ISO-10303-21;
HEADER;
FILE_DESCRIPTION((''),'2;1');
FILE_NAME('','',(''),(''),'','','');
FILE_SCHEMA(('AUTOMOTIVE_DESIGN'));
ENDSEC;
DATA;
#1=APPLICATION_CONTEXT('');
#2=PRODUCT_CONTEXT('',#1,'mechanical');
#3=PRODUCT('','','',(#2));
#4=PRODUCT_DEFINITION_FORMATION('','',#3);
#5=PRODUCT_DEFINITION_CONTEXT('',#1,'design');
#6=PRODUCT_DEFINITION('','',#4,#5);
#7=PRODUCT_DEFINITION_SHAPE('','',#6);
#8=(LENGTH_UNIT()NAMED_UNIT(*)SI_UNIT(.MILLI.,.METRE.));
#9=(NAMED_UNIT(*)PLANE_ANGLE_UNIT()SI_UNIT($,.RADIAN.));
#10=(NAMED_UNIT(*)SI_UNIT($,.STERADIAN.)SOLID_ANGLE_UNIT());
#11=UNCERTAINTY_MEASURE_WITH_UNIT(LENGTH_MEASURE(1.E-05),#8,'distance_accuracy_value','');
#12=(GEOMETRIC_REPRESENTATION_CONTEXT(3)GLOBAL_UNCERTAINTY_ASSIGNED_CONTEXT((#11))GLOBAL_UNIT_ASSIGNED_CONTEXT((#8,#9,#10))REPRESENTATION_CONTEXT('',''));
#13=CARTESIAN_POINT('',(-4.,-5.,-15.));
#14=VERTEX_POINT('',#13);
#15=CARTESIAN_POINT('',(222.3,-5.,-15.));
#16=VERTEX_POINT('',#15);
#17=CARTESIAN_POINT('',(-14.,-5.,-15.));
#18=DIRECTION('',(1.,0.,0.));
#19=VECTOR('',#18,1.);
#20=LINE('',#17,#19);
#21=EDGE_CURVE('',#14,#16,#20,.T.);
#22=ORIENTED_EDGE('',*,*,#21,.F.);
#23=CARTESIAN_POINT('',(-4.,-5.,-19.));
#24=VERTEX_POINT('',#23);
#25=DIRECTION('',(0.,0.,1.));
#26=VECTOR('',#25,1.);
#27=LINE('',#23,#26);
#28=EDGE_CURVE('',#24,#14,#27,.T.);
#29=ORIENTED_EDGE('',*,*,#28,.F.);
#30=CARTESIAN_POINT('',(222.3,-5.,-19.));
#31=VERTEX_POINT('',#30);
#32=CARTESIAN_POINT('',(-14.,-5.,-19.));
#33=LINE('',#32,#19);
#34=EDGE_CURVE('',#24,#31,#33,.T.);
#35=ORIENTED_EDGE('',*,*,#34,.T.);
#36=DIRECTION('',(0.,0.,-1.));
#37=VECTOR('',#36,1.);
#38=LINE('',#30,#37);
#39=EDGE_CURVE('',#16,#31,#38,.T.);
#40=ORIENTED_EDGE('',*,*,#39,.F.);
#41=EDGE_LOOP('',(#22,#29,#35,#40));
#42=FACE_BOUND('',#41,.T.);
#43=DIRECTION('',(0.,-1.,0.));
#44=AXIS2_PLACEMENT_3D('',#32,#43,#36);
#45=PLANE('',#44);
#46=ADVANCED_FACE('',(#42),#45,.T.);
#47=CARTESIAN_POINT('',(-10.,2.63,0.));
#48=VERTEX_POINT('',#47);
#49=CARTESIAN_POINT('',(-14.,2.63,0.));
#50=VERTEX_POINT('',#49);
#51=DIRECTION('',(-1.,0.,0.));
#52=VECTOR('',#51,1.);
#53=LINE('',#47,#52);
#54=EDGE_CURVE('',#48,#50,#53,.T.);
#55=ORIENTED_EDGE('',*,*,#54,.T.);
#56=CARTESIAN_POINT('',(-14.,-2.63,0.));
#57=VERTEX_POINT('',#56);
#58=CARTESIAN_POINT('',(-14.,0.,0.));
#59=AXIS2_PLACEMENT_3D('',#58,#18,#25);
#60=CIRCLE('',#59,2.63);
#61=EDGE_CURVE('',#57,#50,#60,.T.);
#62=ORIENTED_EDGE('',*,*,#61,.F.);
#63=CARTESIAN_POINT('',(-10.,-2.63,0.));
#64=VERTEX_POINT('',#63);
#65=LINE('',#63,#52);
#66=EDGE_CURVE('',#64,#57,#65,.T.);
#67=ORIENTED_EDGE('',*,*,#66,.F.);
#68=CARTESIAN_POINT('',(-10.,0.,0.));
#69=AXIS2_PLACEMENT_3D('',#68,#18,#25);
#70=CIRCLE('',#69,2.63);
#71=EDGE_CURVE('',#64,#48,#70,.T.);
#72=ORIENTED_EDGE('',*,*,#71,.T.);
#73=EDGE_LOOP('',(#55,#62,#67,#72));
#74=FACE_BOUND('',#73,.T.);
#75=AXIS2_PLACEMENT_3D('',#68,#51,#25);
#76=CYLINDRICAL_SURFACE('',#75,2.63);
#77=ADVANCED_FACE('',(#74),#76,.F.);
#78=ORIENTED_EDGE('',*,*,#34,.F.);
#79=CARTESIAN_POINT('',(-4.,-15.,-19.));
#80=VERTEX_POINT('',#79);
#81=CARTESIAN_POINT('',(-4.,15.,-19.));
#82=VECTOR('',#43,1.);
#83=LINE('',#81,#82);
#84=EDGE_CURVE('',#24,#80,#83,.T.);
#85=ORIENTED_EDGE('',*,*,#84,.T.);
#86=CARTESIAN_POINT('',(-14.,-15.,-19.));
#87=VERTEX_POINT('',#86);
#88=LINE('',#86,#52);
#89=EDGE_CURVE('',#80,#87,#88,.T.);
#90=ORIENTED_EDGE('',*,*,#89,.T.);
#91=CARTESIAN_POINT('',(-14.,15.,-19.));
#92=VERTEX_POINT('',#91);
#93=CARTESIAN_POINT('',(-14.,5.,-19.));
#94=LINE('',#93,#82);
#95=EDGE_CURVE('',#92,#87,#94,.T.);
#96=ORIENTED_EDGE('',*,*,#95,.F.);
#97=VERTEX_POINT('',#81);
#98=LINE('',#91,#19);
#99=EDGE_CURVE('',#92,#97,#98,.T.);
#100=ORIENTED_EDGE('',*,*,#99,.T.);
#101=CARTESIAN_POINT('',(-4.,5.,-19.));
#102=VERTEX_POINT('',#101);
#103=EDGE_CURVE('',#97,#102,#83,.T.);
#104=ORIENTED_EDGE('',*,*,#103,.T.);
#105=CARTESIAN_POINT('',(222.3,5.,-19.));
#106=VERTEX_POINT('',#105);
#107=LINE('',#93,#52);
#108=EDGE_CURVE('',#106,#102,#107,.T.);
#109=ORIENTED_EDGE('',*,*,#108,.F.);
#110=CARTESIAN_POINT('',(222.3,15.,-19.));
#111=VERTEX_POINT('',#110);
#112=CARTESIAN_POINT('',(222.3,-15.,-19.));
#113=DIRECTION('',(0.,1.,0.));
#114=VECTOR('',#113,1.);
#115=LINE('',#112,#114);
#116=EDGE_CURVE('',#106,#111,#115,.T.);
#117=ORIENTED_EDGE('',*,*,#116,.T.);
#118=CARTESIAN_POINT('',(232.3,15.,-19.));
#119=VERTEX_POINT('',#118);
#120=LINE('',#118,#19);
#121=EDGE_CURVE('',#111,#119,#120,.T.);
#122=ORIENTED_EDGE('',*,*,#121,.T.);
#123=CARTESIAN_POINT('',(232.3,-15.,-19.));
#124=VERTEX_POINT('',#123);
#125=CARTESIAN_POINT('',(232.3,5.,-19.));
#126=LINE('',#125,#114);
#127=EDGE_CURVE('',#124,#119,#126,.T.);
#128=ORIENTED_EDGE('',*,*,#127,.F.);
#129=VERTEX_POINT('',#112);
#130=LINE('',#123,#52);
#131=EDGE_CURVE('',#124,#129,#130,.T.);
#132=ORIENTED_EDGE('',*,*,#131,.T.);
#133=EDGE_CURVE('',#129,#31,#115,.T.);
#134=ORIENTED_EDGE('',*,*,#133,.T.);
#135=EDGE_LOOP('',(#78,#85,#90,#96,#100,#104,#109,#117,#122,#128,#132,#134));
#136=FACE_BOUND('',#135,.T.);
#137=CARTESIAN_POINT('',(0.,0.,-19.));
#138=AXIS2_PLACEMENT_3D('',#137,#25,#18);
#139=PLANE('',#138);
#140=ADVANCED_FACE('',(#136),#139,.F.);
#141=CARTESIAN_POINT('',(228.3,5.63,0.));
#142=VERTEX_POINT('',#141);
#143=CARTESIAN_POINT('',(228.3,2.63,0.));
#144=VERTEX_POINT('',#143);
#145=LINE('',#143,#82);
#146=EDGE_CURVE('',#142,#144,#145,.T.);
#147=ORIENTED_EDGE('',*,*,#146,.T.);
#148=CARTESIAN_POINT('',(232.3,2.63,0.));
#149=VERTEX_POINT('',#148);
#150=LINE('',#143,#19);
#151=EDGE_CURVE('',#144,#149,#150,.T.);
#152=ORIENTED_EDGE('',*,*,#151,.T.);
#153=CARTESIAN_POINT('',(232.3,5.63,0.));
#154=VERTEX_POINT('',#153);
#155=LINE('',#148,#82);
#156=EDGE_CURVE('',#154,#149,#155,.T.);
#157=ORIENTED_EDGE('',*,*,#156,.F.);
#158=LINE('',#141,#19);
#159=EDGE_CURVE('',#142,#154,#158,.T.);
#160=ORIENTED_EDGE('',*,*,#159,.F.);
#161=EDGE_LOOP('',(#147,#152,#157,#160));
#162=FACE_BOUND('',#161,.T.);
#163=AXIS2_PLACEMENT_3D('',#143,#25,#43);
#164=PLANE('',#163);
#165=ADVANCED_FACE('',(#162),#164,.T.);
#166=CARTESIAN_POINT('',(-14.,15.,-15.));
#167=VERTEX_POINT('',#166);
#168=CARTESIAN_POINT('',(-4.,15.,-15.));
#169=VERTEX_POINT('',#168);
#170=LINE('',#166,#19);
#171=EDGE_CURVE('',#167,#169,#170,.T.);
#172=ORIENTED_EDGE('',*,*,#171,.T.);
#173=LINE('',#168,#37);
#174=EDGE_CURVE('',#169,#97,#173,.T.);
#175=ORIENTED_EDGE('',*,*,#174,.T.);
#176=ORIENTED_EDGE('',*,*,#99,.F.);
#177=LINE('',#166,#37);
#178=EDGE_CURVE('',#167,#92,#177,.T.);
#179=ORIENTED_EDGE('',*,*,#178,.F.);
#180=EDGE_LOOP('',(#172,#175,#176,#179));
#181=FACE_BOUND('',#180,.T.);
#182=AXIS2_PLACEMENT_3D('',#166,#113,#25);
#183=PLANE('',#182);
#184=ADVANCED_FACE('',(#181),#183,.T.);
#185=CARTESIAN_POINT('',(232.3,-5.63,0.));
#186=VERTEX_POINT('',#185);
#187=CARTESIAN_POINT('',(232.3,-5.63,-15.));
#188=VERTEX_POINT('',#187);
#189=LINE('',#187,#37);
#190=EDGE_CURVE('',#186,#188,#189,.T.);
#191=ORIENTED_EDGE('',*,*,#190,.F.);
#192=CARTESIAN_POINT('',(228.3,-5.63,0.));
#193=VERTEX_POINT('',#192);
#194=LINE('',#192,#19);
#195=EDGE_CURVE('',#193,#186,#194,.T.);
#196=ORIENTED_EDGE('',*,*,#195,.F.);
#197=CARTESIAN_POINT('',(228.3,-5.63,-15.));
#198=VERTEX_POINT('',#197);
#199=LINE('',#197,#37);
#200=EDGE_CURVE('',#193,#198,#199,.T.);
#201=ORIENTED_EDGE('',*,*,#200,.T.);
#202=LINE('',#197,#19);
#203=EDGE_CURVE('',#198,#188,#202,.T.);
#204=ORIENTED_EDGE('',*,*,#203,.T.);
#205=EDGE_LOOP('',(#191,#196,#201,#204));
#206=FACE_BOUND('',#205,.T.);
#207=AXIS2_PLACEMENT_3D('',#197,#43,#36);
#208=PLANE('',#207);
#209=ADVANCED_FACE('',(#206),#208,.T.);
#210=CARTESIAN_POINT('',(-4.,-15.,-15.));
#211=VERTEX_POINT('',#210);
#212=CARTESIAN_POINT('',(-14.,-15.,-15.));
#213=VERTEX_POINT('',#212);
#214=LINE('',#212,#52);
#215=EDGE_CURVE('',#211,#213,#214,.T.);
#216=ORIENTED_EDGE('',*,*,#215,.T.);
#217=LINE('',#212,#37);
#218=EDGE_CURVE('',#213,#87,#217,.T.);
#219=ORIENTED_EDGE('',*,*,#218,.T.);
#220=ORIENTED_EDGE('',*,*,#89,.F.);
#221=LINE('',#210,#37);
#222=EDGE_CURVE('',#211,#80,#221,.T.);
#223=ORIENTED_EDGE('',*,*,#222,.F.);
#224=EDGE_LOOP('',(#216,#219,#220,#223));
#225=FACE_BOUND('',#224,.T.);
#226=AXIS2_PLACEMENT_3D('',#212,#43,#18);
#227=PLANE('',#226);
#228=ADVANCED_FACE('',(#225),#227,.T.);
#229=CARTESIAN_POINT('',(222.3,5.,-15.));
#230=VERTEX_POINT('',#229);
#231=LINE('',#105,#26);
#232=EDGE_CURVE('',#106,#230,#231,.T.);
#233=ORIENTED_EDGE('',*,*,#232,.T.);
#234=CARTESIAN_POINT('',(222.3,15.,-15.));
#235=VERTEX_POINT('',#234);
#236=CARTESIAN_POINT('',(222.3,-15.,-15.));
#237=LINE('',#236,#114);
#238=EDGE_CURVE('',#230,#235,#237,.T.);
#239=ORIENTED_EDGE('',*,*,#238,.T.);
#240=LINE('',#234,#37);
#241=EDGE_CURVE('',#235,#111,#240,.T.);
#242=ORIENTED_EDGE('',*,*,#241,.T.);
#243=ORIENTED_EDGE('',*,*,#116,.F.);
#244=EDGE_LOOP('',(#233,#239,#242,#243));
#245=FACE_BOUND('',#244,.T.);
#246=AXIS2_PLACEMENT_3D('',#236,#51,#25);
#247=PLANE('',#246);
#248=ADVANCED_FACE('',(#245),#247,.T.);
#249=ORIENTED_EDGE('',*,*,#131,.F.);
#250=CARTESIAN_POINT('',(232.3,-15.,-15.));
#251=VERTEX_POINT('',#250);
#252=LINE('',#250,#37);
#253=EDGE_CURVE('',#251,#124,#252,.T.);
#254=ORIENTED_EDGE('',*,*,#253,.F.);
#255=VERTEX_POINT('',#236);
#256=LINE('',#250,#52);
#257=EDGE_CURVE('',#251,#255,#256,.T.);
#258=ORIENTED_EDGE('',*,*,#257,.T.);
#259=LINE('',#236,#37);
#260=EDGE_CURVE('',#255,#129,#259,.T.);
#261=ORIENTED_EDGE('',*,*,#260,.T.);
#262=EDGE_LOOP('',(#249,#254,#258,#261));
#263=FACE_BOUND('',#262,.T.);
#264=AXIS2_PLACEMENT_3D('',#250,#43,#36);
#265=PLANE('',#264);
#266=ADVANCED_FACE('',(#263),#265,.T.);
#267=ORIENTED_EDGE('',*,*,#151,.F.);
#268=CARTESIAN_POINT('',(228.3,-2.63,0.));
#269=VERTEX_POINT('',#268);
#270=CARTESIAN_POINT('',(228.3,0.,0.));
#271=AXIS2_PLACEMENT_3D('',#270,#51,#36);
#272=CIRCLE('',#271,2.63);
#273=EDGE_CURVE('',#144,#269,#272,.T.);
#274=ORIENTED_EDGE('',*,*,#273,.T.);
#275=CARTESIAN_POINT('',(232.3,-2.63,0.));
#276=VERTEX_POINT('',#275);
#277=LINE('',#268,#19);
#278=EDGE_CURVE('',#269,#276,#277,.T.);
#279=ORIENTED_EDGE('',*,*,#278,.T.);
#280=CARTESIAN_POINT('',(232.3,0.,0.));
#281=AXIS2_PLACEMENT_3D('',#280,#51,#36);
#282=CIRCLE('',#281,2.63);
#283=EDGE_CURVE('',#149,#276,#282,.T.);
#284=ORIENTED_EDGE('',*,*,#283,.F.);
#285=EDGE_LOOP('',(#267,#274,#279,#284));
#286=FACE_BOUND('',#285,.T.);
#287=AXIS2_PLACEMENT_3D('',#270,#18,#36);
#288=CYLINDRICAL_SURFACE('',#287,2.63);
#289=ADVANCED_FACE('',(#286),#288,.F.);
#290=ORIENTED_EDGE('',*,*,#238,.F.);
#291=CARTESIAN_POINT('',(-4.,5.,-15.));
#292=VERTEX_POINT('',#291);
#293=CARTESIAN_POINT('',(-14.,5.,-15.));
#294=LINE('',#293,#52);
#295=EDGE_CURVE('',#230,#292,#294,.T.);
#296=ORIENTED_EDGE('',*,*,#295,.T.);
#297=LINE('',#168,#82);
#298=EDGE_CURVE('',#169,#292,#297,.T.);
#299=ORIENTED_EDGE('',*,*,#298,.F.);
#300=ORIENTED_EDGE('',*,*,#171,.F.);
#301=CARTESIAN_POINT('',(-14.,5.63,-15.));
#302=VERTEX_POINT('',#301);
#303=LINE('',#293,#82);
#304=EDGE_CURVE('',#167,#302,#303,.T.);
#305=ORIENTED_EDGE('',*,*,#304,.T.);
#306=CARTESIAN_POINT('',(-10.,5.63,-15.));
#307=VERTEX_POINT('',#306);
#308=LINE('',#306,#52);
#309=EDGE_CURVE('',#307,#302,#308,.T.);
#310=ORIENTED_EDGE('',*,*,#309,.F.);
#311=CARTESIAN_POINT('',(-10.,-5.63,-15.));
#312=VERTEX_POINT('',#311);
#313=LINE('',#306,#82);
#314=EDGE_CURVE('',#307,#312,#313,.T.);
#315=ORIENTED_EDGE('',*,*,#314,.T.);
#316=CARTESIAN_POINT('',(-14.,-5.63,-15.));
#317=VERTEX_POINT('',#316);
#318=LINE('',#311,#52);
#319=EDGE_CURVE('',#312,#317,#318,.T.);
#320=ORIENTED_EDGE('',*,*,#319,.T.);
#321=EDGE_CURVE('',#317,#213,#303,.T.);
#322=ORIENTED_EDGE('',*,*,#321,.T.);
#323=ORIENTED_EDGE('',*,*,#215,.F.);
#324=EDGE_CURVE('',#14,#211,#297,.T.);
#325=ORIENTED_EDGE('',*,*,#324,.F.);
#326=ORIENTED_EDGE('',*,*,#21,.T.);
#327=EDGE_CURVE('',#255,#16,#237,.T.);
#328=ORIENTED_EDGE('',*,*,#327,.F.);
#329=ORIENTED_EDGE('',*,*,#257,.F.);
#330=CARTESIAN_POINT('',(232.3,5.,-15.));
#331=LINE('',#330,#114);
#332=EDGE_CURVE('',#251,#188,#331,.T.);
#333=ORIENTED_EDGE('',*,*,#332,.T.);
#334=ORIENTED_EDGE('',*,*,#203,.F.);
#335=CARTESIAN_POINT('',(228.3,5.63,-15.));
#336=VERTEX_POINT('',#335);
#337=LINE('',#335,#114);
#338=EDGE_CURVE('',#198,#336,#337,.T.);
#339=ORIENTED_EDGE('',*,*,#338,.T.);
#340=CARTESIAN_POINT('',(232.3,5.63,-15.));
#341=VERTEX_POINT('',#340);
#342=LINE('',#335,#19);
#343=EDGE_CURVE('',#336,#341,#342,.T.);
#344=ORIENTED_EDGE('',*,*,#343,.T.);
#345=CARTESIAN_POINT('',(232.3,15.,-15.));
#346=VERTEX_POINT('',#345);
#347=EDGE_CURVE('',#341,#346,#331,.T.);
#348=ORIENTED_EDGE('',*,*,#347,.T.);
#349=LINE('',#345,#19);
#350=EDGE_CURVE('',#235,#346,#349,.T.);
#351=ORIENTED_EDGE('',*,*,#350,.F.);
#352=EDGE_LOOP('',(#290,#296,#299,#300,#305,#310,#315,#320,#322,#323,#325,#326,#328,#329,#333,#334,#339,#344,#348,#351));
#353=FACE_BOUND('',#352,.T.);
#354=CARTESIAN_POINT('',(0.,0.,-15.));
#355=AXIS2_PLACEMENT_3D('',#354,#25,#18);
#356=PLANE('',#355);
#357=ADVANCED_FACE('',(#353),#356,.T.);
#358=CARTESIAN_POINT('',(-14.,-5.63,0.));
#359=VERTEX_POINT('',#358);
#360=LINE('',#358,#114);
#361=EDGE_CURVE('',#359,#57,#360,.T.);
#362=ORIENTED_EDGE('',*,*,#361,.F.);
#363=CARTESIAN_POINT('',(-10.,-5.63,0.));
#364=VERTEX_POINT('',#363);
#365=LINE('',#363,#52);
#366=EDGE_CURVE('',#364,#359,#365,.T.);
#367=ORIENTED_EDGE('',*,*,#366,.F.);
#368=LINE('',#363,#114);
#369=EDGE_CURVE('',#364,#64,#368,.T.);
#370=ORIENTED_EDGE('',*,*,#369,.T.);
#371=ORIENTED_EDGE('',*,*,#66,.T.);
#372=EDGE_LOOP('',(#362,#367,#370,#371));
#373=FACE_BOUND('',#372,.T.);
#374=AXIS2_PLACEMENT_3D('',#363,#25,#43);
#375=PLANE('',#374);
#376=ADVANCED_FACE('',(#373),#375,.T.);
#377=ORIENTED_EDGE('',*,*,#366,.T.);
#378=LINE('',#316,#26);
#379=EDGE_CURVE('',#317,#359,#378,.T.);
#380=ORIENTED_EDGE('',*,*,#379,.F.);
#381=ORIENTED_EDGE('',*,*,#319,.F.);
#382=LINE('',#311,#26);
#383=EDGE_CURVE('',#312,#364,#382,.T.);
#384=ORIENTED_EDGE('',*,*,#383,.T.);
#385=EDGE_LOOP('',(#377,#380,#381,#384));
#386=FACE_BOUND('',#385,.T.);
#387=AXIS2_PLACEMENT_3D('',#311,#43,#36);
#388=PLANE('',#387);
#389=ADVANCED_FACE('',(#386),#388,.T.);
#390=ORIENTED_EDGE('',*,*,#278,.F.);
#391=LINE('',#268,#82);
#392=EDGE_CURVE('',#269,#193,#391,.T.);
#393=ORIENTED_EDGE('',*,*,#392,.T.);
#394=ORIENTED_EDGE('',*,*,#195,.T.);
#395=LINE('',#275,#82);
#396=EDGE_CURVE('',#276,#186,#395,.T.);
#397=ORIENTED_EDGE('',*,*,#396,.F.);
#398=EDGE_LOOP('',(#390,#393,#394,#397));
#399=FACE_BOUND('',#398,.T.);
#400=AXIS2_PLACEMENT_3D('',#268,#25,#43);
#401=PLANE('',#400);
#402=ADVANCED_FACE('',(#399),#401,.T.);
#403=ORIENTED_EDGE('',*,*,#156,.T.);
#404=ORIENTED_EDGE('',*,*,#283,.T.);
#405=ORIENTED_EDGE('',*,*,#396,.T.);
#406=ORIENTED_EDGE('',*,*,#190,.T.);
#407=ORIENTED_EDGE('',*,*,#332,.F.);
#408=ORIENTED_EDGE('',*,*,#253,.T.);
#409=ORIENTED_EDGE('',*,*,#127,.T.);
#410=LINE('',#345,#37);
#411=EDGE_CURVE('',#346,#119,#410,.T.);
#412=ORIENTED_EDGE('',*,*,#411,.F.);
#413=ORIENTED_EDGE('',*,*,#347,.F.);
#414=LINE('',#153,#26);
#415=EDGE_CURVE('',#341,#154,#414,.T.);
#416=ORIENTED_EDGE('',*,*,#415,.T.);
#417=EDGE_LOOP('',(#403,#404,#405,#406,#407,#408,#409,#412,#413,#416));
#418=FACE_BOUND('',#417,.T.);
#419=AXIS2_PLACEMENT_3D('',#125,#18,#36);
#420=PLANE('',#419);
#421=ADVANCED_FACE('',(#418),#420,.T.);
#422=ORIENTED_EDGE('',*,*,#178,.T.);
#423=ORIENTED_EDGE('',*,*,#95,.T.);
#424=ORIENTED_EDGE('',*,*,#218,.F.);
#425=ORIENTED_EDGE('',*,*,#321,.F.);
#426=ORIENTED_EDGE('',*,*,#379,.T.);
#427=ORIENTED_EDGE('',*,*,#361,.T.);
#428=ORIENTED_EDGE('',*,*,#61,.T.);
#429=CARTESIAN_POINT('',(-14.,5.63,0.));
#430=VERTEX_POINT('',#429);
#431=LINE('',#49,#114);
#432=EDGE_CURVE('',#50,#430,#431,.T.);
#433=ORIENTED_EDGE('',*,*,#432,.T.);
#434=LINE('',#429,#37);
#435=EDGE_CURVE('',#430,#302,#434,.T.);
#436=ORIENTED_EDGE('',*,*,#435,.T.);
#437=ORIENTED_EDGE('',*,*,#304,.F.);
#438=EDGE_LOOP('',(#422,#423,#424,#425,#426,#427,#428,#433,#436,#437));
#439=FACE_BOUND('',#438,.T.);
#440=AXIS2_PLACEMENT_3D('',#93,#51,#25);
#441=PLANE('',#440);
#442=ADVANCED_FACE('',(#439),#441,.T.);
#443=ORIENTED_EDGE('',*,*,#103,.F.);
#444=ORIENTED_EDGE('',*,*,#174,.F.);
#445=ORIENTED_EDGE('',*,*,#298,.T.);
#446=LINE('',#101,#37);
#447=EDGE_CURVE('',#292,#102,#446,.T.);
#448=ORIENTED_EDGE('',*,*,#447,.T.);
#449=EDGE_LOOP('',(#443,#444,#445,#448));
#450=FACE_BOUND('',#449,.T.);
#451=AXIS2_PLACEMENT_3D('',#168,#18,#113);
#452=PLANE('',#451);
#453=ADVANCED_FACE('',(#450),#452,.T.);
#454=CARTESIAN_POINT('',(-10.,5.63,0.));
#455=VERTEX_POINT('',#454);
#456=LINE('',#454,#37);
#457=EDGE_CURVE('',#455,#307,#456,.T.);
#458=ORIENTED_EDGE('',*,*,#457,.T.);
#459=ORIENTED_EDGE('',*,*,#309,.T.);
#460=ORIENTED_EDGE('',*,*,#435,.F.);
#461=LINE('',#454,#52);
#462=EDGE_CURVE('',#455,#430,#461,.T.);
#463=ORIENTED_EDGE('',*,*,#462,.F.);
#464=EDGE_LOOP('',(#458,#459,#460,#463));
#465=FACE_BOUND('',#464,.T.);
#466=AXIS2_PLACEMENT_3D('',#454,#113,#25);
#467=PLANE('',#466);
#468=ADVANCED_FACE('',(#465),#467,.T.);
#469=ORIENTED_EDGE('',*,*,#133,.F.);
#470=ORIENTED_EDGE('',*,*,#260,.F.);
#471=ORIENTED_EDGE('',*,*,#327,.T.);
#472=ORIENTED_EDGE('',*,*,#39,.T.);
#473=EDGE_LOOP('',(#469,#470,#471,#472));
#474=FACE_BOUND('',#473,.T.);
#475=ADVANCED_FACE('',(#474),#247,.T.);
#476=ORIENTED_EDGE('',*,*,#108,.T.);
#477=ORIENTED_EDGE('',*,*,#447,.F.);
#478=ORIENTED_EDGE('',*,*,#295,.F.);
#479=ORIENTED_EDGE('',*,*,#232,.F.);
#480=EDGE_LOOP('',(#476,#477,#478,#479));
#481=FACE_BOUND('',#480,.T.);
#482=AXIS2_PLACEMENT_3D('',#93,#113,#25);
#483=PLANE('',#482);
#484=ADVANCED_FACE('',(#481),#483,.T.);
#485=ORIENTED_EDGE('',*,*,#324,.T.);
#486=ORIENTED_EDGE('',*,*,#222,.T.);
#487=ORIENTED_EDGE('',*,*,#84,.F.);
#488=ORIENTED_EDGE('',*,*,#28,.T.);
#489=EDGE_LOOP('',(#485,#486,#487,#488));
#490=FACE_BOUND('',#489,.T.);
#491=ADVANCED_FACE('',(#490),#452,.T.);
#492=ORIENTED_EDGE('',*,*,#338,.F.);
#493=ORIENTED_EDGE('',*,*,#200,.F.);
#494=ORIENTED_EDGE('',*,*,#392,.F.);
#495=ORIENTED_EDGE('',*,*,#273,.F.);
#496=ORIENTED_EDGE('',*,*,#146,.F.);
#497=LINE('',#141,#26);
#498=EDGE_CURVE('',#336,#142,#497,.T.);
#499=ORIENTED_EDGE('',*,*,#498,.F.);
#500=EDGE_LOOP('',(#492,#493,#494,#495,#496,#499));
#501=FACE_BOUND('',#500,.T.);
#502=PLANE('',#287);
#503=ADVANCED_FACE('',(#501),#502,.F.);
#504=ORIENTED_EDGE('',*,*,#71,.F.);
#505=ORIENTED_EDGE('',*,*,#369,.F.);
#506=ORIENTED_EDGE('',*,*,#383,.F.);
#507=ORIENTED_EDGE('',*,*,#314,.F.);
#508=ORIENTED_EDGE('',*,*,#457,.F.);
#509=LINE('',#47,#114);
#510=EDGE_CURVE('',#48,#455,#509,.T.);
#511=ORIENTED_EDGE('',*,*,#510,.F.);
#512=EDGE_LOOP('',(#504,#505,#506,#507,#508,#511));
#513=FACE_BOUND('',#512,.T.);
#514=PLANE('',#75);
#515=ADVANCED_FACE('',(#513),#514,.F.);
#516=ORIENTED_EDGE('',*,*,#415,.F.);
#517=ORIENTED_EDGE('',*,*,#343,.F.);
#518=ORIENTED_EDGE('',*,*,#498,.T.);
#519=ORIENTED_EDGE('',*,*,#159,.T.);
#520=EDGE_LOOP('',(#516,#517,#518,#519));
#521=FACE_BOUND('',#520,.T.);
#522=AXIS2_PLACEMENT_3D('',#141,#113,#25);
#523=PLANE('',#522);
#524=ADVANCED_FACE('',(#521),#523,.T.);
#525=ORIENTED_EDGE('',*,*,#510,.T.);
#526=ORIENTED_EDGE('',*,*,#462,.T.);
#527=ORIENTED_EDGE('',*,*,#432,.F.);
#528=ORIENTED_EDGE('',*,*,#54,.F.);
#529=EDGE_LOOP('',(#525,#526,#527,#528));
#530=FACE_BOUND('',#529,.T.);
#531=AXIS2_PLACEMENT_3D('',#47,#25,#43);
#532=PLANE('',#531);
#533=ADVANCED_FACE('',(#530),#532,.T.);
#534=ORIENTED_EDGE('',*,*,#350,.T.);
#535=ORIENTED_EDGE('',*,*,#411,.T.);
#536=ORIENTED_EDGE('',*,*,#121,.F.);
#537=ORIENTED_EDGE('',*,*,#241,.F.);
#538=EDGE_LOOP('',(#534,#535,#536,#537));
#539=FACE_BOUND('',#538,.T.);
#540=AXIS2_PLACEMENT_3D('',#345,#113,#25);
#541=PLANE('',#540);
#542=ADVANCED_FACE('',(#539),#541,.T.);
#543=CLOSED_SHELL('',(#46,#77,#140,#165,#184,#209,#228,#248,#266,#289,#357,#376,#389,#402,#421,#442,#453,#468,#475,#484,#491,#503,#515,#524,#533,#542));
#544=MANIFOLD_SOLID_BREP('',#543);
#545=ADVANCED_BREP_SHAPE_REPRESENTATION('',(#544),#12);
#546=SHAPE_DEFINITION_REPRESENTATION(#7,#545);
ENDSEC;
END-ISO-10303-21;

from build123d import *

# Parameters (mm, degrees)
EXTRUDE_START   = -15
SKETCH_1_W      = 246.3
SKETCH_1_H      = 10
EXTRUDE_1_DEPTH = 4
SKETCH_2_W      = 10
SKETCH_2_H      = 30
EXTRUDE_2_DEPTH = 4
EXTRUDE_3_DEPTH = 4
EXTRUDE_START_2 = -4
EXTRUDE_4_DEPTH = 4


with BuildPart() as part:
    # 草图1 → 凸台-拉伸1 (new body)
    with BuildSketch(Plane.XY.offset(EXTRUDE_START)):
        with Locations((109.15, 0)):
            Rectangle(SKETCH_1_W, SKETCH_1_H)
    extrude(amount=-EXTRUDE_1_DEPTH)

    # 草图2 → 凸台-拉伸2 (add)
    with BuildSketch(Plane(origin=(0, 0, -19), x_dir=(-1, 0, 0), z_dir=(0, 0, -1))):
        with Locations((9, 0)):
            Rectangle(SKETCH_2_W, SKETCH_2_H)
        with Locations((-227.3, 0)):
            Rectangle(SKETCH_2_W, SKETCH_2_H)
    extrude(amount=-EXTRUDE_2_DEPTH)

    # 草图4 → 凸台-拉伸3 (add)
    with BuildSketch(Plane(origin=(232.3, 0, 0), x_dir=(0, 0, -1), z_dir=(1, 0, 0))):
        with BuildLine():
            Line((0, -2.63), (0, -5.63))
            Line((0, -5.63), (15, -5.63))
            Line((15, -5.63), (15, 5.63))
            Line((15, 5.63), (0, 5.63))
            Line((0, 5.63), (0, 2.63))
            ThreePointArc((0, 2.63), (2.63, 0), (0, -2.63))
        make_face()
    extrude(amount=-EXTRUDE_3_DEPTH)

    # 草图5 → 凸台-拉伸4 (add)
    with BuildSketch(Plane.ZY.offset(14).offset(EXTRUDE_START_2)):
        with BuildLine():
            Line((0, 2.63), (0, 5.63))
            Line((0, 5.63), (-15, 5.63))
            Line((-15, 5.63), (-15, -5.63))
            Line((-15, -5.63), (0, -5.63))
            Line((0, -5.63), (0, -2.63))
            ThreePointArc((0, -2.63), (-2.63, 0), (0, 2.63))
        make_face()
    extrude(amount=EXTRUDE_4_DEPTH)


solid = part.part
